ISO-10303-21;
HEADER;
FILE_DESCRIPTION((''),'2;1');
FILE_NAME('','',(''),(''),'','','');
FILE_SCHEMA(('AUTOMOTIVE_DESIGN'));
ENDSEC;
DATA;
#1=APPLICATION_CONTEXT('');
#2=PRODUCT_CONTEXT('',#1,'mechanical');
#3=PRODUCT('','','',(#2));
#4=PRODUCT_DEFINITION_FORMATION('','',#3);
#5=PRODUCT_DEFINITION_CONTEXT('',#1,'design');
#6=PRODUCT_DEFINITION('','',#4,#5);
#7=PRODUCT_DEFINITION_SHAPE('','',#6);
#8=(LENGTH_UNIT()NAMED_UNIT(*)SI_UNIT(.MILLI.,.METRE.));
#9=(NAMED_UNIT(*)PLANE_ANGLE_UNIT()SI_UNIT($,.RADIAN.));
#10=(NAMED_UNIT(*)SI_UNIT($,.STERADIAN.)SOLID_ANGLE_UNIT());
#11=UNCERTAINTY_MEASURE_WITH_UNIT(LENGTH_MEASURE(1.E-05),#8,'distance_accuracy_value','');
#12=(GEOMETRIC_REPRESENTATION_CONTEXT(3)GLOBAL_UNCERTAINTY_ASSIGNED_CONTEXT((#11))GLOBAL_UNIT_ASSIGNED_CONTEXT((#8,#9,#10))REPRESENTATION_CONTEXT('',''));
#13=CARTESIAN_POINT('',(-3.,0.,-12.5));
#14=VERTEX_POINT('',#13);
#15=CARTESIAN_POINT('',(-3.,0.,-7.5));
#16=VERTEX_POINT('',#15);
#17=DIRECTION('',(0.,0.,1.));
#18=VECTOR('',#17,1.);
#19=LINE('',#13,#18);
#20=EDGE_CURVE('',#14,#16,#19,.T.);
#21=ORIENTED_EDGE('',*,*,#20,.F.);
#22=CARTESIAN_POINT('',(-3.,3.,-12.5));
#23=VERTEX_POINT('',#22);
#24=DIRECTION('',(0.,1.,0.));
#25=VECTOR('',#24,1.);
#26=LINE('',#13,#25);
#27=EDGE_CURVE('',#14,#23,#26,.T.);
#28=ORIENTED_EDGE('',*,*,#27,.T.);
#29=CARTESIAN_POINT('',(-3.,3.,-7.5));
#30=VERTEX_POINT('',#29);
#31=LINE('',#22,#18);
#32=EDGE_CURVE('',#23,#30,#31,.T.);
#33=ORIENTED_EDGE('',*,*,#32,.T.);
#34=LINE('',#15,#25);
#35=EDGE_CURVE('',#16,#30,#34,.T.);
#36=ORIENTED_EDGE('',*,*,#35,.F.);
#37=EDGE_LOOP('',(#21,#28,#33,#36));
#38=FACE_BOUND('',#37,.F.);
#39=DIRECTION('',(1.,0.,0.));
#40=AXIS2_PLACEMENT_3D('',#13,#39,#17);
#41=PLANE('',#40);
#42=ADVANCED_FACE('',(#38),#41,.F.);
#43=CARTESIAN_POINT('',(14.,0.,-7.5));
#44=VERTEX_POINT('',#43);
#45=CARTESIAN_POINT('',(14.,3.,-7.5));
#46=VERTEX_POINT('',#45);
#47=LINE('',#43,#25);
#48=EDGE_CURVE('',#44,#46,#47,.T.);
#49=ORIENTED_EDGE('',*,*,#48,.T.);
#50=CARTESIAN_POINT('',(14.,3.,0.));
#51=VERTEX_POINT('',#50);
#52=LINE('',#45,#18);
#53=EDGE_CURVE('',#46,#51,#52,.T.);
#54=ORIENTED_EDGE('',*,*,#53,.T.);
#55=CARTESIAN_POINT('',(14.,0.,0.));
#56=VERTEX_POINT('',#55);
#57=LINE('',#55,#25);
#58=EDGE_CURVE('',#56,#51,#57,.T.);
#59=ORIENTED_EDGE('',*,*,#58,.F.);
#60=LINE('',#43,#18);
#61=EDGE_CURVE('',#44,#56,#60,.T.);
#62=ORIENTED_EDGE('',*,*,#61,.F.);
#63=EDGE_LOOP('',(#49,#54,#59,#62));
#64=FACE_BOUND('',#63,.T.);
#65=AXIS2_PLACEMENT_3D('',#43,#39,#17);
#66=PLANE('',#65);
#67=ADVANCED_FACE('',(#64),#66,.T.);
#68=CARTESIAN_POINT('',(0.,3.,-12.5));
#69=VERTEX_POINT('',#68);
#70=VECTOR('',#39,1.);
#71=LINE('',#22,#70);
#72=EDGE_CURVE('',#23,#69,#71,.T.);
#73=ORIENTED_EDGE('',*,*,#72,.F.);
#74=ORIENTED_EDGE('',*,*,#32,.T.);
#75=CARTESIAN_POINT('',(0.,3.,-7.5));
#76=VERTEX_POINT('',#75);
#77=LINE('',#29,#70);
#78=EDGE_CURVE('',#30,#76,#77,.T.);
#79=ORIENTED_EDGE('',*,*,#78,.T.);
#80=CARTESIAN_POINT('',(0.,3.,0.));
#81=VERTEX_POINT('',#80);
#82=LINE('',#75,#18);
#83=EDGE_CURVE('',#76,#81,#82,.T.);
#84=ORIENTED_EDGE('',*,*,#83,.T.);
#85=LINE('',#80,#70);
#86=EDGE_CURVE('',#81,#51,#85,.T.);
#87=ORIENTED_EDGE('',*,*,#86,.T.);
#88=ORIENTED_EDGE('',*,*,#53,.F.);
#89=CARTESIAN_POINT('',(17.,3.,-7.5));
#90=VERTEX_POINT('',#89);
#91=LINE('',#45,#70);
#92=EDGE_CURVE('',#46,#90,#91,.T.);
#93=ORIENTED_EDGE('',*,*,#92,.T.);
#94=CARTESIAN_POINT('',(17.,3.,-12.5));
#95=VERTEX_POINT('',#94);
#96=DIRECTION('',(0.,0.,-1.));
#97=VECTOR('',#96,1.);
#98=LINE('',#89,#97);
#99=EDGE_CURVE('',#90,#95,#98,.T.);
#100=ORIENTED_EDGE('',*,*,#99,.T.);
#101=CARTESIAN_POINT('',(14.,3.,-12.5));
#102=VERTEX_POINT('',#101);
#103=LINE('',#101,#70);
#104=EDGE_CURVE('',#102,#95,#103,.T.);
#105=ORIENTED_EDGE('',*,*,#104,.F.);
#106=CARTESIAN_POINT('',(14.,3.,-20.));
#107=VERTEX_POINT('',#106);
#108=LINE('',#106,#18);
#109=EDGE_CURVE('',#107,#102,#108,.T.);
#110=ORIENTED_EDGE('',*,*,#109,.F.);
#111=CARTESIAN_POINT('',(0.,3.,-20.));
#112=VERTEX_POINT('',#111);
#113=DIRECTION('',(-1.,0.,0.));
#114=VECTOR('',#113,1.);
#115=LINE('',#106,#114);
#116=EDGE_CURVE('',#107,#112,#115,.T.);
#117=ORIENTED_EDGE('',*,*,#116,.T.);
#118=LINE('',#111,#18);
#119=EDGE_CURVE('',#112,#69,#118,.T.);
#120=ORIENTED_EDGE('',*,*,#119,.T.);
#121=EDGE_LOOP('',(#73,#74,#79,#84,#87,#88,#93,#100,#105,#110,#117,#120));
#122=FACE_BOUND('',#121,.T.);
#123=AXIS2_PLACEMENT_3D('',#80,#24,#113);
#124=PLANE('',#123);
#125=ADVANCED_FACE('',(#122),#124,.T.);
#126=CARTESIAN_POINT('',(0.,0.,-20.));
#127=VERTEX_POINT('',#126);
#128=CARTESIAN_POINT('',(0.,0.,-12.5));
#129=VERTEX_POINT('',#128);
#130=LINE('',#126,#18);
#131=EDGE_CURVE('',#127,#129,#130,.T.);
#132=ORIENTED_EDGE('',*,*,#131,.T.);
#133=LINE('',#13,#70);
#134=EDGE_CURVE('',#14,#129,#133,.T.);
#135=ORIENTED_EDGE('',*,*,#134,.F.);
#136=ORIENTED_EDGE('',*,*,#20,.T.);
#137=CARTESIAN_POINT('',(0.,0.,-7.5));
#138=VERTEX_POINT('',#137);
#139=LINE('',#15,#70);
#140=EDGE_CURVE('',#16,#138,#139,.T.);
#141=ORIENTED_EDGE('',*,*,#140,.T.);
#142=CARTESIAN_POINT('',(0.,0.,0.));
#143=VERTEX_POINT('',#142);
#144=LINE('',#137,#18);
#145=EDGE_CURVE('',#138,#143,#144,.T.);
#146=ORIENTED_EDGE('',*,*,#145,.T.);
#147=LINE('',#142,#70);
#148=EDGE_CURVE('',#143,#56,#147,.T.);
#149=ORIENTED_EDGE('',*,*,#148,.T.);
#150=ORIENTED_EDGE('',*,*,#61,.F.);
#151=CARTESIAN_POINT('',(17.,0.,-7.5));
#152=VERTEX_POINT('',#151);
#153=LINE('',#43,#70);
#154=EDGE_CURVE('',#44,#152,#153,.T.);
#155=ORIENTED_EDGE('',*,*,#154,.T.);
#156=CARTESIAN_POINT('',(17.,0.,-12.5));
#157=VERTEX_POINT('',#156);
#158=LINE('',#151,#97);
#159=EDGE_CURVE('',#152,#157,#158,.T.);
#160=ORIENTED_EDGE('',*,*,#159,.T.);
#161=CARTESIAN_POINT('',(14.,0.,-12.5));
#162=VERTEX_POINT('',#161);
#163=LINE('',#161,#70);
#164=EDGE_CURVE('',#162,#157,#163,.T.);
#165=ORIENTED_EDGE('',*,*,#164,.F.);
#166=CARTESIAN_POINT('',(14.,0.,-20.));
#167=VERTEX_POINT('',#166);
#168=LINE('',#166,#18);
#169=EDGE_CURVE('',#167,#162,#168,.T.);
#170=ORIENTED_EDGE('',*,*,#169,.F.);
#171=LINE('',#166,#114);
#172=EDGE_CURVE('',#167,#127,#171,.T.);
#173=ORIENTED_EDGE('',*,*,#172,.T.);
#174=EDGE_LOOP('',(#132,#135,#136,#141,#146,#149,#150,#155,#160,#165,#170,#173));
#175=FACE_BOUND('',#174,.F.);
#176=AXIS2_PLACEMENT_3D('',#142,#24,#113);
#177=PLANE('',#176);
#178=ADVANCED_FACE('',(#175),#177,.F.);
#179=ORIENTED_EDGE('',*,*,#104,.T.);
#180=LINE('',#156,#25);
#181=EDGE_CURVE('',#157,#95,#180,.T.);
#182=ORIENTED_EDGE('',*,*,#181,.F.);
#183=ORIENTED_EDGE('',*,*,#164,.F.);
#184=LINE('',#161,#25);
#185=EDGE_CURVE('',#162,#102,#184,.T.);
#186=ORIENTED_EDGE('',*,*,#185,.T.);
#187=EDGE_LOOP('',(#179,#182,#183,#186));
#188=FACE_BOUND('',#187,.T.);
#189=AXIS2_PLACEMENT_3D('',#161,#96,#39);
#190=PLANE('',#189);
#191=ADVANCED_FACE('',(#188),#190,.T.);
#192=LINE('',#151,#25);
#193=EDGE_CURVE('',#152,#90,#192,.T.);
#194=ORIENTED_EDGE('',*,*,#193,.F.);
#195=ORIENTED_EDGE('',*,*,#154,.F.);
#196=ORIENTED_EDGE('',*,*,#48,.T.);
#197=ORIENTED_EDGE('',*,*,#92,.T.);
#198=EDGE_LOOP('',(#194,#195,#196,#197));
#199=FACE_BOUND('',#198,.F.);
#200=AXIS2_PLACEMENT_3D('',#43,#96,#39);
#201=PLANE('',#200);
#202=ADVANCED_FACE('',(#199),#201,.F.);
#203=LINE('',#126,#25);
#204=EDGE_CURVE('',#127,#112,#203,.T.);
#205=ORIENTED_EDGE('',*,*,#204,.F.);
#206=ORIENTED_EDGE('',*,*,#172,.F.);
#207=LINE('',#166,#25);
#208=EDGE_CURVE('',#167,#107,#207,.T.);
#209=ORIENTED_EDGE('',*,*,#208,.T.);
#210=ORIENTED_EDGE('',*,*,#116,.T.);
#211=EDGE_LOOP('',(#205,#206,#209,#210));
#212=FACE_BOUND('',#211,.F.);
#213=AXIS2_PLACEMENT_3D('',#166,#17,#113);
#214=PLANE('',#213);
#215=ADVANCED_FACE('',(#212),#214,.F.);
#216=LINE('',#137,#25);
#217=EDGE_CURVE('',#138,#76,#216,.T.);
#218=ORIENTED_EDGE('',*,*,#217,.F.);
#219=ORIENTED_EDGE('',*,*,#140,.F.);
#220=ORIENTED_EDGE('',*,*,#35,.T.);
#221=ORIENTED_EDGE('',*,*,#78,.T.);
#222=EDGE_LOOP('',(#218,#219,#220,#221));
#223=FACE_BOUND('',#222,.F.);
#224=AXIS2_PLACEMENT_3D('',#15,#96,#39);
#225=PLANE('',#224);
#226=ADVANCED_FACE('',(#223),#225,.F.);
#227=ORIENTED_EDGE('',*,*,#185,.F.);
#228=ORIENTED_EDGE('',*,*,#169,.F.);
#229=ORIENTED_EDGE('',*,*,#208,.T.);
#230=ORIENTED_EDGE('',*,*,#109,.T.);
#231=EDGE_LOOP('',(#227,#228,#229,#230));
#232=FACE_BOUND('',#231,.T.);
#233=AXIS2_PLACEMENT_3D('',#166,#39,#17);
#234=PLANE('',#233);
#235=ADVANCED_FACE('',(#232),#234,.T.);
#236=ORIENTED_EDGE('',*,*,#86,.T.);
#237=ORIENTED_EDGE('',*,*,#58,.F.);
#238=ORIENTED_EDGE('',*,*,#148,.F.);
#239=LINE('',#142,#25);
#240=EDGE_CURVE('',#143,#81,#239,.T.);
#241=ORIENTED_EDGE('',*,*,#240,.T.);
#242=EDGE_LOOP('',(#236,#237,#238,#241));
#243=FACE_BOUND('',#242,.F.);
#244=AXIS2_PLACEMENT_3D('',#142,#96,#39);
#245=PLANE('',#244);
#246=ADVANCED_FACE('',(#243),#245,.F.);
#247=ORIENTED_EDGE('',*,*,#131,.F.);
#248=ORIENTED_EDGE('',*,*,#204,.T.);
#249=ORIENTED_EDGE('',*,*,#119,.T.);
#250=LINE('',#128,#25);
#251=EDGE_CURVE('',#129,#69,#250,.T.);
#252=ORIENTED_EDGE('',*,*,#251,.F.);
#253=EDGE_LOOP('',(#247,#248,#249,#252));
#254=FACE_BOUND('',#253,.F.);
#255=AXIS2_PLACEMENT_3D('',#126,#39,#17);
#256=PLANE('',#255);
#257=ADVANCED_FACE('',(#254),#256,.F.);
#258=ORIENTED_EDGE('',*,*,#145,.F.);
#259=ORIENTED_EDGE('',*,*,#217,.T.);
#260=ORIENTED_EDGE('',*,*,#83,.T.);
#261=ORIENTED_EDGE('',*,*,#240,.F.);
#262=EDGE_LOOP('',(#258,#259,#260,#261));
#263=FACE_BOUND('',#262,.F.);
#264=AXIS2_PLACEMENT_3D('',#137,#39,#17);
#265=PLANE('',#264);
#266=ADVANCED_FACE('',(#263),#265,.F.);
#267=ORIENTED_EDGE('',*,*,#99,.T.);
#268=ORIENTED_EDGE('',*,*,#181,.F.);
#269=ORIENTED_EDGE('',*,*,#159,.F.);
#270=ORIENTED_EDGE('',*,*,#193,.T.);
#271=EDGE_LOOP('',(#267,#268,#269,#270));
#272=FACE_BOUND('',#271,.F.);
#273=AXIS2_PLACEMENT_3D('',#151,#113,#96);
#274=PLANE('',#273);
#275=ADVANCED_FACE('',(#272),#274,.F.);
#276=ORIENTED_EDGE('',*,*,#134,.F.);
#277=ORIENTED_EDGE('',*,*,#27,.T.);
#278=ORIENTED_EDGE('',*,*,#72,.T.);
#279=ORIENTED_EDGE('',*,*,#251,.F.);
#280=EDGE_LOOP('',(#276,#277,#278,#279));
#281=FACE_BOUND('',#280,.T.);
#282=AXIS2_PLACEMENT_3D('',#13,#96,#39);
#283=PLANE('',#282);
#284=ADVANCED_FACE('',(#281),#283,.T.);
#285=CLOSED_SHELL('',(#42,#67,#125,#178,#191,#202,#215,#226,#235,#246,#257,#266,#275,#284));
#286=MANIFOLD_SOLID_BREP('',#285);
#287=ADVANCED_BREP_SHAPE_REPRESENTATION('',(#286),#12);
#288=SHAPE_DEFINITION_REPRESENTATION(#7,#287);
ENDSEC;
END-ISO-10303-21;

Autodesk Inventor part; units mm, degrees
ref_plane "YZ Plane" through (0, 0, 0) normal (1, 0, 0) x (0, 1, 0)
ref_plane "XZ Plane" through (0, 0, 0) normal (0, 1, 0) x (-1, 0, 0)
ref_plane "XY Plane" through (0, 0, 0) normal (0, 0, 1) x (1, 0, 0)
sketch "Boceto1" plane through (0, 0, 0) normal (0, 1, 0) x (-1, 0, 0)
  line L0 (0, 0) -> (-14, 0)
  line L1 (-17, -7.5) -> (-17, -12.5)
  line L2 (-14, -20) -> (0, -20)
  line L3 (3, -12.5) -> (3, -7.5)
  line L4 (3, -12.5) -> (0, -12.5)
  line L5 (3, -7.5) -> (0, -7.5)
  line L6 (-14, -12.5) -> (-17, -12.5)
  line L7 (-14, -7.5) -> (-17, -7.5)
  line L8 (0, -20) -> (0, -12.5)
  line L9 (0, -7.5) -> (0, 0)
  line L10 (-14, -20) -> (-14, -12.5)
  line L11 (-14, -7.5) -> (-14, 0)
  dimension "d0" = 20
  dimension "d1" = 20
  dimension "d4" = 3
  dimension "d5" = 5
extrude "Extrusión1" add sketch "Boceto1" along normal blind 3
properties part number "abajo1"
